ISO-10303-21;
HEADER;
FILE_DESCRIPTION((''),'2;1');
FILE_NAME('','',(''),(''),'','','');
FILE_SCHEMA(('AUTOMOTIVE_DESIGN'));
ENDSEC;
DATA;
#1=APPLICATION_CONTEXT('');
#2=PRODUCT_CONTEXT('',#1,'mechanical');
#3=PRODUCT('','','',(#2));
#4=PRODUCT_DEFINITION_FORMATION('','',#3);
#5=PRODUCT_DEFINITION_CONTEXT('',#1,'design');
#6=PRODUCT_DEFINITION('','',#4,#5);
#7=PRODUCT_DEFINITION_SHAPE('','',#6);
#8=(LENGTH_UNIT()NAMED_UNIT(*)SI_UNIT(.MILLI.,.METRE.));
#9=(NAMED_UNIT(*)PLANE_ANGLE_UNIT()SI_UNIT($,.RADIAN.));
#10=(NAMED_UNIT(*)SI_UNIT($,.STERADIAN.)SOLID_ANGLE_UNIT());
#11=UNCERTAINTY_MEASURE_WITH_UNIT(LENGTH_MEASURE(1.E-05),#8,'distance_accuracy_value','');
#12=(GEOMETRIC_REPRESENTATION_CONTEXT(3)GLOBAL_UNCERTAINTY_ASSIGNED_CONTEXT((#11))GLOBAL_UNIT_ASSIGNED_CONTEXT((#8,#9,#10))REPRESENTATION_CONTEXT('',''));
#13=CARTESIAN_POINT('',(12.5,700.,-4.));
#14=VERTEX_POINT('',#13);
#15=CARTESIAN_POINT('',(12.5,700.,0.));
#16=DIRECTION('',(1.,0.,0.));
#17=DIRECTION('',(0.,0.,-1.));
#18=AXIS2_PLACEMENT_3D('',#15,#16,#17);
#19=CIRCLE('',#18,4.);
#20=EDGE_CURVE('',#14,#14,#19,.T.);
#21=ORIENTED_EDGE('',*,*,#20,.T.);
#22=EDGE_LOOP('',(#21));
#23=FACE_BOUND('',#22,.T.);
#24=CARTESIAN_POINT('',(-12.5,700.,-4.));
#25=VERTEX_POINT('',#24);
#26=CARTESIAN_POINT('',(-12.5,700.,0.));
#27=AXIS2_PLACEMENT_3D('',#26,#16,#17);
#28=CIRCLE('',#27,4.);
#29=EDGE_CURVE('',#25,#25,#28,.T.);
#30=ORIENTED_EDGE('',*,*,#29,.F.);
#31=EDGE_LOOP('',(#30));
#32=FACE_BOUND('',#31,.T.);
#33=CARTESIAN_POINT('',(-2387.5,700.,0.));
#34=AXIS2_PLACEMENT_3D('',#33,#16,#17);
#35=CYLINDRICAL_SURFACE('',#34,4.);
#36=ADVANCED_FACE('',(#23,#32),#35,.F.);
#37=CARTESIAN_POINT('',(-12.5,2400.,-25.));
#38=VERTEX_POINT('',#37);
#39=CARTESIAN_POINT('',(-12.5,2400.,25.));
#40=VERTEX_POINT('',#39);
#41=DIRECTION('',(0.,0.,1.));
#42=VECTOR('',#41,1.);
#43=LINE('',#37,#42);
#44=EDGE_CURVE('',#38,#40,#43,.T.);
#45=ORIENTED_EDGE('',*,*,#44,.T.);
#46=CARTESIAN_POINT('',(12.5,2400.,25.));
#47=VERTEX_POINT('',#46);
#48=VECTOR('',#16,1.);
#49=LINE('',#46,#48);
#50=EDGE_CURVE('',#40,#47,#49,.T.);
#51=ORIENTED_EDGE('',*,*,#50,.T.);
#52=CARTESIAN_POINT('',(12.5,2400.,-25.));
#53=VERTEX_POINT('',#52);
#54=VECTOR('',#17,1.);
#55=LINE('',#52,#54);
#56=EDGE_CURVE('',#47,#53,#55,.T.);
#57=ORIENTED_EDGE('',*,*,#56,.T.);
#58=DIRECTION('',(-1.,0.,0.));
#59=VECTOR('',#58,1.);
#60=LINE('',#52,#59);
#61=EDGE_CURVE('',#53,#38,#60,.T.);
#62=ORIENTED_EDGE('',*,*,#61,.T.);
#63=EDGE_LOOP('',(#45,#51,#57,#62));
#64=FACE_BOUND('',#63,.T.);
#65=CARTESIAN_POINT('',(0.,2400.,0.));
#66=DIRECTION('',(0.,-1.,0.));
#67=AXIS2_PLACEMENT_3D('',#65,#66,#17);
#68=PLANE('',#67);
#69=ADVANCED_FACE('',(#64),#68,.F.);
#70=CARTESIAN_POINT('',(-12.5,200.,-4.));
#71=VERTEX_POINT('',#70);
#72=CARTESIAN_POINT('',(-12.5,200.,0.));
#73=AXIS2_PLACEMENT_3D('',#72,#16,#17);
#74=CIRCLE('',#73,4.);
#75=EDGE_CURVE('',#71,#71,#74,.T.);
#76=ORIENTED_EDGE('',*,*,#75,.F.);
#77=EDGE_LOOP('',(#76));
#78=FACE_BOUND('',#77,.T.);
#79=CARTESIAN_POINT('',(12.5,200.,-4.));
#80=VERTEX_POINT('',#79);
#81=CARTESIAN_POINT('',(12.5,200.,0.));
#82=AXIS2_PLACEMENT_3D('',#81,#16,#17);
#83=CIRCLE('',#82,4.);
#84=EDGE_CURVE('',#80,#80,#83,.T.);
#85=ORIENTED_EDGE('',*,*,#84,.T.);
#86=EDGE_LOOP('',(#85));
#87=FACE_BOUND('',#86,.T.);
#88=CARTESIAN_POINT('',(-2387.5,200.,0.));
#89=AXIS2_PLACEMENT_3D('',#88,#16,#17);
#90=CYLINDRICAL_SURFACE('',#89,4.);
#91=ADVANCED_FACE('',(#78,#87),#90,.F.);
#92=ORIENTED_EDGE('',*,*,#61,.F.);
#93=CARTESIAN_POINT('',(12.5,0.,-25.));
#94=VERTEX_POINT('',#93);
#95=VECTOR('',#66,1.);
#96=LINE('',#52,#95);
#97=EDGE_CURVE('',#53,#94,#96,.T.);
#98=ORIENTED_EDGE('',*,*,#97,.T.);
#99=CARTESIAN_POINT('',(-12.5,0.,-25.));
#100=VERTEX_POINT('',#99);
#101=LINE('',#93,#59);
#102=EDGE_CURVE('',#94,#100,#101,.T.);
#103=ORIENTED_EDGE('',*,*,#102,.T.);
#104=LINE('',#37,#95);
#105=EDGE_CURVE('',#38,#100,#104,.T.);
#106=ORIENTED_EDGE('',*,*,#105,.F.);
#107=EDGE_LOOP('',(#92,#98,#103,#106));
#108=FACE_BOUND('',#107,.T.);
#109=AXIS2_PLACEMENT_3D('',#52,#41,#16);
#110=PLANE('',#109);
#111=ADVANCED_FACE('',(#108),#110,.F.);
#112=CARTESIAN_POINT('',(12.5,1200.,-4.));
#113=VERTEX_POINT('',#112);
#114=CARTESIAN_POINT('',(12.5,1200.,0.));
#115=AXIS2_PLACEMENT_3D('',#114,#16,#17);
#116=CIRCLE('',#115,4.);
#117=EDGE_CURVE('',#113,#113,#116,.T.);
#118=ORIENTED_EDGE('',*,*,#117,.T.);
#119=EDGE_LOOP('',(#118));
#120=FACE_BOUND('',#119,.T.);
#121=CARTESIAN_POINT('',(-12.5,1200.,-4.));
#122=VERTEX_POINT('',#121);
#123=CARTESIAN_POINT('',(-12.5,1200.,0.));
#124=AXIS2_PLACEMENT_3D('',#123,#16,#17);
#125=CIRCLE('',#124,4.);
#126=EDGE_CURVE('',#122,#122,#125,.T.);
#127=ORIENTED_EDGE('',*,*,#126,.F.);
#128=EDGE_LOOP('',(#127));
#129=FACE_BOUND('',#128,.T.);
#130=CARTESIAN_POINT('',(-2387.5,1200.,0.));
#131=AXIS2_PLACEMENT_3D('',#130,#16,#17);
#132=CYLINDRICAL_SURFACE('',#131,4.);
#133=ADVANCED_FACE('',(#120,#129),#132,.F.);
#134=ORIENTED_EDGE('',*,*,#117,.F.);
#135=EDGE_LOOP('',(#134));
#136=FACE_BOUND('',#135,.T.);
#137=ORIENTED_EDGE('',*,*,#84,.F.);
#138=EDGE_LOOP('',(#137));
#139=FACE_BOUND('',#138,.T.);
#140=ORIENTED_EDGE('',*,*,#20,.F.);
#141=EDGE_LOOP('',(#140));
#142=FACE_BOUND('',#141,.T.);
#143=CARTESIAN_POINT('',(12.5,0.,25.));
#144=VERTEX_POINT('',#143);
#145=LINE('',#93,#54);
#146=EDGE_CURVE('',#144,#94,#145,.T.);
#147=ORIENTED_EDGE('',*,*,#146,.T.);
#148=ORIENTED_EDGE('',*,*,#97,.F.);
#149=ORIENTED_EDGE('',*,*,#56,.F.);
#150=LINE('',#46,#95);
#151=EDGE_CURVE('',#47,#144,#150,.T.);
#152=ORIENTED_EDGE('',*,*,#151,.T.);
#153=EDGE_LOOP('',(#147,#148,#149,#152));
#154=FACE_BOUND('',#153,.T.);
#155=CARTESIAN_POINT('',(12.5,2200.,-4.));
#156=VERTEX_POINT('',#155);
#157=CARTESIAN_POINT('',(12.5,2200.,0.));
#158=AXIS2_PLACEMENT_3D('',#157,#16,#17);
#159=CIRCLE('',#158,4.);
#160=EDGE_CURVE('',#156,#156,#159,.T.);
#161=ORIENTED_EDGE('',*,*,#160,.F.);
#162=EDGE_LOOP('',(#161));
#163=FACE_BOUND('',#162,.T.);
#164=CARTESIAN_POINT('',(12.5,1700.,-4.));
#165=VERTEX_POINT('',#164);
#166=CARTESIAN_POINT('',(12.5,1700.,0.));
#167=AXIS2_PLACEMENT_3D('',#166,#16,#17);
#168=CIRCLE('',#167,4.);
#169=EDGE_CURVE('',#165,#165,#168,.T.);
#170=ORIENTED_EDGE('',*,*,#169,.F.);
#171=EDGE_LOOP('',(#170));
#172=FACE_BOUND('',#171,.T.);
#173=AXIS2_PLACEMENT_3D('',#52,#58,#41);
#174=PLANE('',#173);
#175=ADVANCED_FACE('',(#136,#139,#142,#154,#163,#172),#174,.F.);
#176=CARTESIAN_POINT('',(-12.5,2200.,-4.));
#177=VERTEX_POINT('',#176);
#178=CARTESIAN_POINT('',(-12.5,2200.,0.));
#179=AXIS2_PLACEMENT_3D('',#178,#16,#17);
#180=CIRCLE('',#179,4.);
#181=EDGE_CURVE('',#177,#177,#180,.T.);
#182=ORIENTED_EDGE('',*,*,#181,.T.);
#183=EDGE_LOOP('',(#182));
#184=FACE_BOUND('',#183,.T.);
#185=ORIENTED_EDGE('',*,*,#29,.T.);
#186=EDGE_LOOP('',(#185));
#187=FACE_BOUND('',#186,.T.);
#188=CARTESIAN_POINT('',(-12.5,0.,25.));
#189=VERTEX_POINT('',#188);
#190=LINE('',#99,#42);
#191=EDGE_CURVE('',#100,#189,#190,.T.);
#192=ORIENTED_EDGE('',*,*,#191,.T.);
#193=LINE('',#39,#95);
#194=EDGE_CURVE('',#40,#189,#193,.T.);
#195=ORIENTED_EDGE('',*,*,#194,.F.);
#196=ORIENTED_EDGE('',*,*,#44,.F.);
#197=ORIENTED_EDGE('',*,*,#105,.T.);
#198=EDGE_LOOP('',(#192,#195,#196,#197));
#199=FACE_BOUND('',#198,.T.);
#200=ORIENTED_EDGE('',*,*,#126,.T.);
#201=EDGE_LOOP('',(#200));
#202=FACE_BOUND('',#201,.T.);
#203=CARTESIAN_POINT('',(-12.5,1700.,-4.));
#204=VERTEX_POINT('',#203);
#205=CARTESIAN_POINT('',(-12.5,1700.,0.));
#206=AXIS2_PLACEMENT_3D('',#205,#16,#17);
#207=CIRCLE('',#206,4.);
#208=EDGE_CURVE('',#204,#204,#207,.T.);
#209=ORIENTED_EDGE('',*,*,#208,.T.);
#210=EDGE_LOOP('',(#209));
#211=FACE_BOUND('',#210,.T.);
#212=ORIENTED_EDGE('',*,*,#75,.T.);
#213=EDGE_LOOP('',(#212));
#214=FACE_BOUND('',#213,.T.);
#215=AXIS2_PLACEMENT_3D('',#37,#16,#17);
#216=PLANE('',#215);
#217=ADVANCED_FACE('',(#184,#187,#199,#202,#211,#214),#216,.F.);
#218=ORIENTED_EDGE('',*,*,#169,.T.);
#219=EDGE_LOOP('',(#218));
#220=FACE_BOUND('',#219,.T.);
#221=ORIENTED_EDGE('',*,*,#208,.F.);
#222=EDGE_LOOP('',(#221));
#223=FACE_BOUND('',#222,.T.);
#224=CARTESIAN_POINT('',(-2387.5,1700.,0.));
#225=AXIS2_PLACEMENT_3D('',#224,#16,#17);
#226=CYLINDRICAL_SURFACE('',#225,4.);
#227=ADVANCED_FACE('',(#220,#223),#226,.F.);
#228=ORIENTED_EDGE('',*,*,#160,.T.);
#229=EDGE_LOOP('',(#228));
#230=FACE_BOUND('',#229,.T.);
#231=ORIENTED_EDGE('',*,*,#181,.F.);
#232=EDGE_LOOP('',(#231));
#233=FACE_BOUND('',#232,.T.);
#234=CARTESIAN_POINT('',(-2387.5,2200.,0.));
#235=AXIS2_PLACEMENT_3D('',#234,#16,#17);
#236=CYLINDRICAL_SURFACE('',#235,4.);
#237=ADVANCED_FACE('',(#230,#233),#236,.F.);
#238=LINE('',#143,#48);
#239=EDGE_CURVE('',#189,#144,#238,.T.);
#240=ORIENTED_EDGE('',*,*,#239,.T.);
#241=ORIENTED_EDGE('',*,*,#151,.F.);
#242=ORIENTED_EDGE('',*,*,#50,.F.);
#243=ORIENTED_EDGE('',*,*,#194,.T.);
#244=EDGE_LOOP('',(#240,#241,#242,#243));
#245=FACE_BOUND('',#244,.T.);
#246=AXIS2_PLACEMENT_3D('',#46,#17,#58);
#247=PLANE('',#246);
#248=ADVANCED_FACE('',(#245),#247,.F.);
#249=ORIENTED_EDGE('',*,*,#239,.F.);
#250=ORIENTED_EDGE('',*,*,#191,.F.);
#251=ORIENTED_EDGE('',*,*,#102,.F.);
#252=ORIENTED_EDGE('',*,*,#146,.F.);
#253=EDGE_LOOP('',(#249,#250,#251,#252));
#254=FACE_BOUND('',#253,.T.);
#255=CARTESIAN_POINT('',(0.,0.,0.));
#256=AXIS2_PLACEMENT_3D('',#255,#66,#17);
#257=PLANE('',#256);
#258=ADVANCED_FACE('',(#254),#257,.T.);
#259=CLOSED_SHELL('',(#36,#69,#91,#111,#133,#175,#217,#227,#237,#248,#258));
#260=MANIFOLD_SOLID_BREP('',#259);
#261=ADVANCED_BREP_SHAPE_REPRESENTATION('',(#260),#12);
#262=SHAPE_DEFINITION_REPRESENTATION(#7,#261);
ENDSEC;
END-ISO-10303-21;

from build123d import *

# Parameters (mm, degrees)
SKETCH_1_W          = 25
SKETCH_1_H          = 50
EXTRUDE_1_DEPTH     = 2400
SKETCH_2_R          = 4
CUT_EXTRUDE_1_DEPTH = 2400


with BuildPart() as part:
    # Эскиз1 → Бобышка-Вытянуть1 (new body)
    with BuildSketch(Plane(origin=(0, 0, 0), x_dir=(1, 0, 0), z_dir=(0, 1, 0))):
        Rectangle(SKETCH_1_W, SKETCH_1_H)
    extrude(amount=EXTRUDE_1_DEPTH)

    # Эскиз2 → Вырез-Вытянуть1 (cut)
    with BuildSketch(Plane(origin=(12.5, 0, 0), x_dir=(0, 0, -1), z_dir=(1, 0, 0))):
        with Locations((0, 2200)):
            Circle(SKETCH_2_R)
        with Locations((0, 1700)):
            Circle(SKETCH_2_R)
        with Locations((0, 1200)):
            Circle(SKETCH_2_R)
        with Locations((0, 700)):
            Circle(SKETCH_2_R)
        with Locations((0, 200)):
            Circle(SKETCH_2_R)
    extrude(amount=-CUT_EXTRUDE_1_DEPTH, mode=Mode.SUBTRACT)


solid = part.part
